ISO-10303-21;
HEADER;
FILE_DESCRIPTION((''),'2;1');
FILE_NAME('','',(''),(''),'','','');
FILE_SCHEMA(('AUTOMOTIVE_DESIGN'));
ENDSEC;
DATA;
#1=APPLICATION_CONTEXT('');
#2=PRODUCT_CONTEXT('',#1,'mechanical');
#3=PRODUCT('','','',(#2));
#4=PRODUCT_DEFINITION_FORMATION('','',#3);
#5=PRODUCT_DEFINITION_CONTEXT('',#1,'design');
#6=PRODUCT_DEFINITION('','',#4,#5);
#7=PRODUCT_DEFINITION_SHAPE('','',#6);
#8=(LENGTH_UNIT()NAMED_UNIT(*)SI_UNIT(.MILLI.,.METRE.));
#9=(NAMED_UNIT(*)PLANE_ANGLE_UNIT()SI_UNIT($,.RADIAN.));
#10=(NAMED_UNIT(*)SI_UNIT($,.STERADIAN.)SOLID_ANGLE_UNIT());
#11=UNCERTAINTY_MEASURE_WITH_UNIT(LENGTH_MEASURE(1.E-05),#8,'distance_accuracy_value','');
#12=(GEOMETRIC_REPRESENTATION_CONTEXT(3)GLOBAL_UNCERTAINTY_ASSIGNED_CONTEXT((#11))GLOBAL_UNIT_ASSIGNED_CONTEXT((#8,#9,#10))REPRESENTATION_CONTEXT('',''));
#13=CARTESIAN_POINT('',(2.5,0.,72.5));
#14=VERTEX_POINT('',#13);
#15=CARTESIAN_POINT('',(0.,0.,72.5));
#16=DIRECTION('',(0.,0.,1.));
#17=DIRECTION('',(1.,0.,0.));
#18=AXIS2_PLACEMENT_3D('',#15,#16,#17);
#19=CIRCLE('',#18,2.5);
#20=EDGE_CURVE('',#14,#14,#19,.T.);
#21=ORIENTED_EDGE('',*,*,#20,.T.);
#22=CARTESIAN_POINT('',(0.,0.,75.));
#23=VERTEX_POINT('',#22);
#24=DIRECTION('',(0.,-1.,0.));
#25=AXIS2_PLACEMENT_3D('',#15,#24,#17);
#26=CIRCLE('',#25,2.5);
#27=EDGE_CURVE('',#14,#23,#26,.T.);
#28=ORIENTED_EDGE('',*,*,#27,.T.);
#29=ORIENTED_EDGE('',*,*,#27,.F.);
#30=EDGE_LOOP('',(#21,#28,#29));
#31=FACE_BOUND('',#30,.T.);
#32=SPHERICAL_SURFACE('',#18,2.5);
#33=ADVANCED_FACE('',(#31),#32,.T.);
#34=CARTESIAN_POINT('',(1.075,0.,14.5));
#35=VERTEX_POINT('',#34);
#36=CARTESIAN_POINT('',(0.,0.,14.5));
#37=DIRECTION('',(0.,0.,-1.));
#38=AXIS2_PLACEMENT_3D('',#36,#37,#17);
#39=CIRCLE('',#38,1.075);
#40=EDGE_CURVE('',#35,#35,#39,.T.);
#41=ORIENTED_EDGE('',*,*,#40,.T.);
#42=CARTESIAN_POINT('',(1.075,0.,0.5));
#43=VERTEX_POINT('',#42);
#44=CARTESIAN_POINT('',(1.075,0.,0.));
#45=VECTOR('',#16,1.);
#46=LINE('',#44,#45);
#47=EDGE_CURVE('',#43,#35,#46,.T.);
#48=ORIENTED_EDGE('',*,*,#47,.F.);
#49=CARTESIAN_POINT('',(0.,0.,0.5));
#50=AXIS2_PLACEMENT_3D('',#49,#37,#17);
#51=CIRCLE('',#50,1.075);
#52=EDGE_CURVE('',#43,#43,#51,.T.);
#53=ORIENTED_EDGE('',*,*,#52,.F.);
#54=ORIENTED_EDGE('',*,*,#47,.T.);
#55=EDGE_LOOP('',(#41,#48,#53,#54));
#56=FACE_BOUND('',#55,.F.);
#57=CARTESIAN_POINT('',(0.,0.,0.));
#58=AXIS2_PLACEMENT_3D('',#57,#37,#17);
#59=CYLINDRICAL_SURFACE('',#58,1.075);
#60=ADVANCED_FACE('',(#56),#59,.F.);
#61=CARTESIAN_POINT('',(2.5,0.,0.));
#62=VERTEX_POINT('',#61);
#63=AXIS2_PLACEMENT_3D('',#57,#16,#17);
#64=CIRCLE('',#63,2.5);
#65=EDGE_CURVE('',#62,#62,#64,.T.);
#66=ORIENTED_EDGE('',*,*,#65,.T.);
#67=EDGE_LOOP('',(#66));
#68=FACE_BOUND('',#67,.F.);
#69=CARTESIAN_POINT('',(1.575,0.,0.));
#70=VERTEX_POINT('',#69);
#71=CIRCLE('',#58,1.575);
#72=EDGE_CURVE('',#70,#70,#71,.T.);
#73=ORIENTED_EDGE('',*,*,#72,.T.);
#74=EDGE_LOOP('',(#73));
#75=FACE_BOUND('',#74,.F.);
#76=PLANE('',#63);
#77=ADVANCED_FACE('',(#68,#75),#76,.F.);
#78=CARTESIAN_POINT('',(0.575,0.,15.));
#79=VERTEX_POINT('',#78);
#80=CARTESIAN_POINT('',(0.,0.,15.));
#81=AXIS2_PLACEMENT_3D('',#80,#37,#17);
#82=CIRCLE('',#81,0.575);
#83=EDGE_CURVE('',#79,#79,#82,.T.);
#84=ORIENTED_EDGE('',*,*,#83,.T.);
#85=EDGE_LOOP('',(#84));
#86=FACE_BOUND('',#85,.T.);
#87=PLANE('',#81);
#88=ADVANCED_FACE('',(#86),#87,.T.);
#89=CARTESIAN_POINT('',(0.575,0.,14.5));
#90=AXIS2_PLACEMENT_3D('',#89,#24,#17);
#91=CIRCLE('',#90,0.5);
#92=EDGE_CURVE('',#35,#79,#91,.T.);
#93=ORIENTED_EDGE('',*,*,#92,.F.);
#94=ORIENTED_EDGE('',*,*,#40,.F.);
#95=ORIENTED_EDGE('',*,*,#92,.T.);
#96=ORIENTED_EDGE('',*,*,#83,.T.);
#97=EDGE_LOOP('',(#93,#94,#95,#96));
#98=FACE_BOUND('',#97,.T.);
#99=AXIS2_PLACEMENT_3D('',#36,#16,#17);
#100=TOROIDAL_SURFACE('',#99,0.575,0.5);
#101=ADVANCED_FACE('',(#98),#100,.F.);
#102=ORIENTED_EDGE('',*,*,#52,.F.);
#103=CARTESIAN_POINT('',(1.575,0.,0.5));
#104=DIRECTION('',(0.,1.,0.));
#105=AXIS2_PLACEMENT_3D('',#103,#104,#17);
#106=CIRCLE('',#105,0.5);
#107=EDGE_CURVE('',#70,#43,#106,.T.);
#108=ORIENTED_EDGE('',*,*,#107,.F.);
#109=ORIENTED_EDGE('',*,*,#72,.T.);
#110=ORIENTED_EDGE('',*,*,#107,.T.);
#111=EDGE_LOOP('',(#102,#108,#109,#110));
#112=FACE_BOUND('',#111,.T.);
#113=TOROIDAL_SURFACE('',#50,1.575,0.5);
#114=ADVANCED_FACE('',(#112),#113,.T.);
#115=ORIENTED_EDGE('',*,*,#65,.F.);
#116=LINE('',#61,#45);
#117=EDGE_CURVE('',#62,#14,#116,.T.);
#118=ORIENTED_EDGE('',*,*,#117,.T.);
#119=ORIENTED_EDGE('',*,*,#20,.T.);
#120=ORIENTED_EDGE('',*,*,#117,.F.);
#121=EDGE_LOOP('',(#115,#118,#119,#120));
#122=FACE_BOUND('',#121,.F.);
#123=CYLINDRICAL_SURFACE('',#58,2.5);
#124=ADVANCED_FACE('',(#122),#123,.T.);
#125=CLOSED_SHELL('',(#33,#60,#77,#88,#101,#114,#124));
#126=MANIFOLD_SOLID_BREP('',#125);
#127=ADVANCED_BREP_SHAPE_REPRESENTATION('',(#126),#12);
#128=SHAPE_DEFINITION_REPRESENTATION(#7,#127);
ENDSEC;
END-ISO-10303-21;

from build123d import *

# Parameters (mm, degrees)
F0_R     = 2.5
F1_DEPTH = 75
F2_R     = 2.5
F3_R     = 1.075
F4_DEPTH = 15
F5_R     = 0.5


with BuildPart() as f1:
    # F0 (on Top) → F1 (new body)
    with BuildSketch(Plane.XY):
        Circle(F0_R)
    extrude(amount=F1_DEPTH)

    # F2
    f2_edges = [f1.edges().sort_by_distance(p)[0] for p in [
        (-2.5, 0, 75),
    ]]
    fillet(f2_edges, radius=F2_R)

    # F3 (on face) → F4 (cut)
    with BuildSketch(Plane(origin=(0, 0, 0), x_dir=(1, 0, 0), z_dir=(0, 0, -1))):
        Circle(F3_R)
    extrude(amount=-F4_DEPTH, mode=Mode.SUBTRACT)

    # F5
    f5_edges = [f1.edges().sort_by_distance(p)[0] for p in [
        (-1.075, 0, 0),
        (1.075, 0, 7.5),
        (-1.075, 0, 15),
    ]]
    fillet(f5_edges, radius=F5_R)


solid = f1.part
